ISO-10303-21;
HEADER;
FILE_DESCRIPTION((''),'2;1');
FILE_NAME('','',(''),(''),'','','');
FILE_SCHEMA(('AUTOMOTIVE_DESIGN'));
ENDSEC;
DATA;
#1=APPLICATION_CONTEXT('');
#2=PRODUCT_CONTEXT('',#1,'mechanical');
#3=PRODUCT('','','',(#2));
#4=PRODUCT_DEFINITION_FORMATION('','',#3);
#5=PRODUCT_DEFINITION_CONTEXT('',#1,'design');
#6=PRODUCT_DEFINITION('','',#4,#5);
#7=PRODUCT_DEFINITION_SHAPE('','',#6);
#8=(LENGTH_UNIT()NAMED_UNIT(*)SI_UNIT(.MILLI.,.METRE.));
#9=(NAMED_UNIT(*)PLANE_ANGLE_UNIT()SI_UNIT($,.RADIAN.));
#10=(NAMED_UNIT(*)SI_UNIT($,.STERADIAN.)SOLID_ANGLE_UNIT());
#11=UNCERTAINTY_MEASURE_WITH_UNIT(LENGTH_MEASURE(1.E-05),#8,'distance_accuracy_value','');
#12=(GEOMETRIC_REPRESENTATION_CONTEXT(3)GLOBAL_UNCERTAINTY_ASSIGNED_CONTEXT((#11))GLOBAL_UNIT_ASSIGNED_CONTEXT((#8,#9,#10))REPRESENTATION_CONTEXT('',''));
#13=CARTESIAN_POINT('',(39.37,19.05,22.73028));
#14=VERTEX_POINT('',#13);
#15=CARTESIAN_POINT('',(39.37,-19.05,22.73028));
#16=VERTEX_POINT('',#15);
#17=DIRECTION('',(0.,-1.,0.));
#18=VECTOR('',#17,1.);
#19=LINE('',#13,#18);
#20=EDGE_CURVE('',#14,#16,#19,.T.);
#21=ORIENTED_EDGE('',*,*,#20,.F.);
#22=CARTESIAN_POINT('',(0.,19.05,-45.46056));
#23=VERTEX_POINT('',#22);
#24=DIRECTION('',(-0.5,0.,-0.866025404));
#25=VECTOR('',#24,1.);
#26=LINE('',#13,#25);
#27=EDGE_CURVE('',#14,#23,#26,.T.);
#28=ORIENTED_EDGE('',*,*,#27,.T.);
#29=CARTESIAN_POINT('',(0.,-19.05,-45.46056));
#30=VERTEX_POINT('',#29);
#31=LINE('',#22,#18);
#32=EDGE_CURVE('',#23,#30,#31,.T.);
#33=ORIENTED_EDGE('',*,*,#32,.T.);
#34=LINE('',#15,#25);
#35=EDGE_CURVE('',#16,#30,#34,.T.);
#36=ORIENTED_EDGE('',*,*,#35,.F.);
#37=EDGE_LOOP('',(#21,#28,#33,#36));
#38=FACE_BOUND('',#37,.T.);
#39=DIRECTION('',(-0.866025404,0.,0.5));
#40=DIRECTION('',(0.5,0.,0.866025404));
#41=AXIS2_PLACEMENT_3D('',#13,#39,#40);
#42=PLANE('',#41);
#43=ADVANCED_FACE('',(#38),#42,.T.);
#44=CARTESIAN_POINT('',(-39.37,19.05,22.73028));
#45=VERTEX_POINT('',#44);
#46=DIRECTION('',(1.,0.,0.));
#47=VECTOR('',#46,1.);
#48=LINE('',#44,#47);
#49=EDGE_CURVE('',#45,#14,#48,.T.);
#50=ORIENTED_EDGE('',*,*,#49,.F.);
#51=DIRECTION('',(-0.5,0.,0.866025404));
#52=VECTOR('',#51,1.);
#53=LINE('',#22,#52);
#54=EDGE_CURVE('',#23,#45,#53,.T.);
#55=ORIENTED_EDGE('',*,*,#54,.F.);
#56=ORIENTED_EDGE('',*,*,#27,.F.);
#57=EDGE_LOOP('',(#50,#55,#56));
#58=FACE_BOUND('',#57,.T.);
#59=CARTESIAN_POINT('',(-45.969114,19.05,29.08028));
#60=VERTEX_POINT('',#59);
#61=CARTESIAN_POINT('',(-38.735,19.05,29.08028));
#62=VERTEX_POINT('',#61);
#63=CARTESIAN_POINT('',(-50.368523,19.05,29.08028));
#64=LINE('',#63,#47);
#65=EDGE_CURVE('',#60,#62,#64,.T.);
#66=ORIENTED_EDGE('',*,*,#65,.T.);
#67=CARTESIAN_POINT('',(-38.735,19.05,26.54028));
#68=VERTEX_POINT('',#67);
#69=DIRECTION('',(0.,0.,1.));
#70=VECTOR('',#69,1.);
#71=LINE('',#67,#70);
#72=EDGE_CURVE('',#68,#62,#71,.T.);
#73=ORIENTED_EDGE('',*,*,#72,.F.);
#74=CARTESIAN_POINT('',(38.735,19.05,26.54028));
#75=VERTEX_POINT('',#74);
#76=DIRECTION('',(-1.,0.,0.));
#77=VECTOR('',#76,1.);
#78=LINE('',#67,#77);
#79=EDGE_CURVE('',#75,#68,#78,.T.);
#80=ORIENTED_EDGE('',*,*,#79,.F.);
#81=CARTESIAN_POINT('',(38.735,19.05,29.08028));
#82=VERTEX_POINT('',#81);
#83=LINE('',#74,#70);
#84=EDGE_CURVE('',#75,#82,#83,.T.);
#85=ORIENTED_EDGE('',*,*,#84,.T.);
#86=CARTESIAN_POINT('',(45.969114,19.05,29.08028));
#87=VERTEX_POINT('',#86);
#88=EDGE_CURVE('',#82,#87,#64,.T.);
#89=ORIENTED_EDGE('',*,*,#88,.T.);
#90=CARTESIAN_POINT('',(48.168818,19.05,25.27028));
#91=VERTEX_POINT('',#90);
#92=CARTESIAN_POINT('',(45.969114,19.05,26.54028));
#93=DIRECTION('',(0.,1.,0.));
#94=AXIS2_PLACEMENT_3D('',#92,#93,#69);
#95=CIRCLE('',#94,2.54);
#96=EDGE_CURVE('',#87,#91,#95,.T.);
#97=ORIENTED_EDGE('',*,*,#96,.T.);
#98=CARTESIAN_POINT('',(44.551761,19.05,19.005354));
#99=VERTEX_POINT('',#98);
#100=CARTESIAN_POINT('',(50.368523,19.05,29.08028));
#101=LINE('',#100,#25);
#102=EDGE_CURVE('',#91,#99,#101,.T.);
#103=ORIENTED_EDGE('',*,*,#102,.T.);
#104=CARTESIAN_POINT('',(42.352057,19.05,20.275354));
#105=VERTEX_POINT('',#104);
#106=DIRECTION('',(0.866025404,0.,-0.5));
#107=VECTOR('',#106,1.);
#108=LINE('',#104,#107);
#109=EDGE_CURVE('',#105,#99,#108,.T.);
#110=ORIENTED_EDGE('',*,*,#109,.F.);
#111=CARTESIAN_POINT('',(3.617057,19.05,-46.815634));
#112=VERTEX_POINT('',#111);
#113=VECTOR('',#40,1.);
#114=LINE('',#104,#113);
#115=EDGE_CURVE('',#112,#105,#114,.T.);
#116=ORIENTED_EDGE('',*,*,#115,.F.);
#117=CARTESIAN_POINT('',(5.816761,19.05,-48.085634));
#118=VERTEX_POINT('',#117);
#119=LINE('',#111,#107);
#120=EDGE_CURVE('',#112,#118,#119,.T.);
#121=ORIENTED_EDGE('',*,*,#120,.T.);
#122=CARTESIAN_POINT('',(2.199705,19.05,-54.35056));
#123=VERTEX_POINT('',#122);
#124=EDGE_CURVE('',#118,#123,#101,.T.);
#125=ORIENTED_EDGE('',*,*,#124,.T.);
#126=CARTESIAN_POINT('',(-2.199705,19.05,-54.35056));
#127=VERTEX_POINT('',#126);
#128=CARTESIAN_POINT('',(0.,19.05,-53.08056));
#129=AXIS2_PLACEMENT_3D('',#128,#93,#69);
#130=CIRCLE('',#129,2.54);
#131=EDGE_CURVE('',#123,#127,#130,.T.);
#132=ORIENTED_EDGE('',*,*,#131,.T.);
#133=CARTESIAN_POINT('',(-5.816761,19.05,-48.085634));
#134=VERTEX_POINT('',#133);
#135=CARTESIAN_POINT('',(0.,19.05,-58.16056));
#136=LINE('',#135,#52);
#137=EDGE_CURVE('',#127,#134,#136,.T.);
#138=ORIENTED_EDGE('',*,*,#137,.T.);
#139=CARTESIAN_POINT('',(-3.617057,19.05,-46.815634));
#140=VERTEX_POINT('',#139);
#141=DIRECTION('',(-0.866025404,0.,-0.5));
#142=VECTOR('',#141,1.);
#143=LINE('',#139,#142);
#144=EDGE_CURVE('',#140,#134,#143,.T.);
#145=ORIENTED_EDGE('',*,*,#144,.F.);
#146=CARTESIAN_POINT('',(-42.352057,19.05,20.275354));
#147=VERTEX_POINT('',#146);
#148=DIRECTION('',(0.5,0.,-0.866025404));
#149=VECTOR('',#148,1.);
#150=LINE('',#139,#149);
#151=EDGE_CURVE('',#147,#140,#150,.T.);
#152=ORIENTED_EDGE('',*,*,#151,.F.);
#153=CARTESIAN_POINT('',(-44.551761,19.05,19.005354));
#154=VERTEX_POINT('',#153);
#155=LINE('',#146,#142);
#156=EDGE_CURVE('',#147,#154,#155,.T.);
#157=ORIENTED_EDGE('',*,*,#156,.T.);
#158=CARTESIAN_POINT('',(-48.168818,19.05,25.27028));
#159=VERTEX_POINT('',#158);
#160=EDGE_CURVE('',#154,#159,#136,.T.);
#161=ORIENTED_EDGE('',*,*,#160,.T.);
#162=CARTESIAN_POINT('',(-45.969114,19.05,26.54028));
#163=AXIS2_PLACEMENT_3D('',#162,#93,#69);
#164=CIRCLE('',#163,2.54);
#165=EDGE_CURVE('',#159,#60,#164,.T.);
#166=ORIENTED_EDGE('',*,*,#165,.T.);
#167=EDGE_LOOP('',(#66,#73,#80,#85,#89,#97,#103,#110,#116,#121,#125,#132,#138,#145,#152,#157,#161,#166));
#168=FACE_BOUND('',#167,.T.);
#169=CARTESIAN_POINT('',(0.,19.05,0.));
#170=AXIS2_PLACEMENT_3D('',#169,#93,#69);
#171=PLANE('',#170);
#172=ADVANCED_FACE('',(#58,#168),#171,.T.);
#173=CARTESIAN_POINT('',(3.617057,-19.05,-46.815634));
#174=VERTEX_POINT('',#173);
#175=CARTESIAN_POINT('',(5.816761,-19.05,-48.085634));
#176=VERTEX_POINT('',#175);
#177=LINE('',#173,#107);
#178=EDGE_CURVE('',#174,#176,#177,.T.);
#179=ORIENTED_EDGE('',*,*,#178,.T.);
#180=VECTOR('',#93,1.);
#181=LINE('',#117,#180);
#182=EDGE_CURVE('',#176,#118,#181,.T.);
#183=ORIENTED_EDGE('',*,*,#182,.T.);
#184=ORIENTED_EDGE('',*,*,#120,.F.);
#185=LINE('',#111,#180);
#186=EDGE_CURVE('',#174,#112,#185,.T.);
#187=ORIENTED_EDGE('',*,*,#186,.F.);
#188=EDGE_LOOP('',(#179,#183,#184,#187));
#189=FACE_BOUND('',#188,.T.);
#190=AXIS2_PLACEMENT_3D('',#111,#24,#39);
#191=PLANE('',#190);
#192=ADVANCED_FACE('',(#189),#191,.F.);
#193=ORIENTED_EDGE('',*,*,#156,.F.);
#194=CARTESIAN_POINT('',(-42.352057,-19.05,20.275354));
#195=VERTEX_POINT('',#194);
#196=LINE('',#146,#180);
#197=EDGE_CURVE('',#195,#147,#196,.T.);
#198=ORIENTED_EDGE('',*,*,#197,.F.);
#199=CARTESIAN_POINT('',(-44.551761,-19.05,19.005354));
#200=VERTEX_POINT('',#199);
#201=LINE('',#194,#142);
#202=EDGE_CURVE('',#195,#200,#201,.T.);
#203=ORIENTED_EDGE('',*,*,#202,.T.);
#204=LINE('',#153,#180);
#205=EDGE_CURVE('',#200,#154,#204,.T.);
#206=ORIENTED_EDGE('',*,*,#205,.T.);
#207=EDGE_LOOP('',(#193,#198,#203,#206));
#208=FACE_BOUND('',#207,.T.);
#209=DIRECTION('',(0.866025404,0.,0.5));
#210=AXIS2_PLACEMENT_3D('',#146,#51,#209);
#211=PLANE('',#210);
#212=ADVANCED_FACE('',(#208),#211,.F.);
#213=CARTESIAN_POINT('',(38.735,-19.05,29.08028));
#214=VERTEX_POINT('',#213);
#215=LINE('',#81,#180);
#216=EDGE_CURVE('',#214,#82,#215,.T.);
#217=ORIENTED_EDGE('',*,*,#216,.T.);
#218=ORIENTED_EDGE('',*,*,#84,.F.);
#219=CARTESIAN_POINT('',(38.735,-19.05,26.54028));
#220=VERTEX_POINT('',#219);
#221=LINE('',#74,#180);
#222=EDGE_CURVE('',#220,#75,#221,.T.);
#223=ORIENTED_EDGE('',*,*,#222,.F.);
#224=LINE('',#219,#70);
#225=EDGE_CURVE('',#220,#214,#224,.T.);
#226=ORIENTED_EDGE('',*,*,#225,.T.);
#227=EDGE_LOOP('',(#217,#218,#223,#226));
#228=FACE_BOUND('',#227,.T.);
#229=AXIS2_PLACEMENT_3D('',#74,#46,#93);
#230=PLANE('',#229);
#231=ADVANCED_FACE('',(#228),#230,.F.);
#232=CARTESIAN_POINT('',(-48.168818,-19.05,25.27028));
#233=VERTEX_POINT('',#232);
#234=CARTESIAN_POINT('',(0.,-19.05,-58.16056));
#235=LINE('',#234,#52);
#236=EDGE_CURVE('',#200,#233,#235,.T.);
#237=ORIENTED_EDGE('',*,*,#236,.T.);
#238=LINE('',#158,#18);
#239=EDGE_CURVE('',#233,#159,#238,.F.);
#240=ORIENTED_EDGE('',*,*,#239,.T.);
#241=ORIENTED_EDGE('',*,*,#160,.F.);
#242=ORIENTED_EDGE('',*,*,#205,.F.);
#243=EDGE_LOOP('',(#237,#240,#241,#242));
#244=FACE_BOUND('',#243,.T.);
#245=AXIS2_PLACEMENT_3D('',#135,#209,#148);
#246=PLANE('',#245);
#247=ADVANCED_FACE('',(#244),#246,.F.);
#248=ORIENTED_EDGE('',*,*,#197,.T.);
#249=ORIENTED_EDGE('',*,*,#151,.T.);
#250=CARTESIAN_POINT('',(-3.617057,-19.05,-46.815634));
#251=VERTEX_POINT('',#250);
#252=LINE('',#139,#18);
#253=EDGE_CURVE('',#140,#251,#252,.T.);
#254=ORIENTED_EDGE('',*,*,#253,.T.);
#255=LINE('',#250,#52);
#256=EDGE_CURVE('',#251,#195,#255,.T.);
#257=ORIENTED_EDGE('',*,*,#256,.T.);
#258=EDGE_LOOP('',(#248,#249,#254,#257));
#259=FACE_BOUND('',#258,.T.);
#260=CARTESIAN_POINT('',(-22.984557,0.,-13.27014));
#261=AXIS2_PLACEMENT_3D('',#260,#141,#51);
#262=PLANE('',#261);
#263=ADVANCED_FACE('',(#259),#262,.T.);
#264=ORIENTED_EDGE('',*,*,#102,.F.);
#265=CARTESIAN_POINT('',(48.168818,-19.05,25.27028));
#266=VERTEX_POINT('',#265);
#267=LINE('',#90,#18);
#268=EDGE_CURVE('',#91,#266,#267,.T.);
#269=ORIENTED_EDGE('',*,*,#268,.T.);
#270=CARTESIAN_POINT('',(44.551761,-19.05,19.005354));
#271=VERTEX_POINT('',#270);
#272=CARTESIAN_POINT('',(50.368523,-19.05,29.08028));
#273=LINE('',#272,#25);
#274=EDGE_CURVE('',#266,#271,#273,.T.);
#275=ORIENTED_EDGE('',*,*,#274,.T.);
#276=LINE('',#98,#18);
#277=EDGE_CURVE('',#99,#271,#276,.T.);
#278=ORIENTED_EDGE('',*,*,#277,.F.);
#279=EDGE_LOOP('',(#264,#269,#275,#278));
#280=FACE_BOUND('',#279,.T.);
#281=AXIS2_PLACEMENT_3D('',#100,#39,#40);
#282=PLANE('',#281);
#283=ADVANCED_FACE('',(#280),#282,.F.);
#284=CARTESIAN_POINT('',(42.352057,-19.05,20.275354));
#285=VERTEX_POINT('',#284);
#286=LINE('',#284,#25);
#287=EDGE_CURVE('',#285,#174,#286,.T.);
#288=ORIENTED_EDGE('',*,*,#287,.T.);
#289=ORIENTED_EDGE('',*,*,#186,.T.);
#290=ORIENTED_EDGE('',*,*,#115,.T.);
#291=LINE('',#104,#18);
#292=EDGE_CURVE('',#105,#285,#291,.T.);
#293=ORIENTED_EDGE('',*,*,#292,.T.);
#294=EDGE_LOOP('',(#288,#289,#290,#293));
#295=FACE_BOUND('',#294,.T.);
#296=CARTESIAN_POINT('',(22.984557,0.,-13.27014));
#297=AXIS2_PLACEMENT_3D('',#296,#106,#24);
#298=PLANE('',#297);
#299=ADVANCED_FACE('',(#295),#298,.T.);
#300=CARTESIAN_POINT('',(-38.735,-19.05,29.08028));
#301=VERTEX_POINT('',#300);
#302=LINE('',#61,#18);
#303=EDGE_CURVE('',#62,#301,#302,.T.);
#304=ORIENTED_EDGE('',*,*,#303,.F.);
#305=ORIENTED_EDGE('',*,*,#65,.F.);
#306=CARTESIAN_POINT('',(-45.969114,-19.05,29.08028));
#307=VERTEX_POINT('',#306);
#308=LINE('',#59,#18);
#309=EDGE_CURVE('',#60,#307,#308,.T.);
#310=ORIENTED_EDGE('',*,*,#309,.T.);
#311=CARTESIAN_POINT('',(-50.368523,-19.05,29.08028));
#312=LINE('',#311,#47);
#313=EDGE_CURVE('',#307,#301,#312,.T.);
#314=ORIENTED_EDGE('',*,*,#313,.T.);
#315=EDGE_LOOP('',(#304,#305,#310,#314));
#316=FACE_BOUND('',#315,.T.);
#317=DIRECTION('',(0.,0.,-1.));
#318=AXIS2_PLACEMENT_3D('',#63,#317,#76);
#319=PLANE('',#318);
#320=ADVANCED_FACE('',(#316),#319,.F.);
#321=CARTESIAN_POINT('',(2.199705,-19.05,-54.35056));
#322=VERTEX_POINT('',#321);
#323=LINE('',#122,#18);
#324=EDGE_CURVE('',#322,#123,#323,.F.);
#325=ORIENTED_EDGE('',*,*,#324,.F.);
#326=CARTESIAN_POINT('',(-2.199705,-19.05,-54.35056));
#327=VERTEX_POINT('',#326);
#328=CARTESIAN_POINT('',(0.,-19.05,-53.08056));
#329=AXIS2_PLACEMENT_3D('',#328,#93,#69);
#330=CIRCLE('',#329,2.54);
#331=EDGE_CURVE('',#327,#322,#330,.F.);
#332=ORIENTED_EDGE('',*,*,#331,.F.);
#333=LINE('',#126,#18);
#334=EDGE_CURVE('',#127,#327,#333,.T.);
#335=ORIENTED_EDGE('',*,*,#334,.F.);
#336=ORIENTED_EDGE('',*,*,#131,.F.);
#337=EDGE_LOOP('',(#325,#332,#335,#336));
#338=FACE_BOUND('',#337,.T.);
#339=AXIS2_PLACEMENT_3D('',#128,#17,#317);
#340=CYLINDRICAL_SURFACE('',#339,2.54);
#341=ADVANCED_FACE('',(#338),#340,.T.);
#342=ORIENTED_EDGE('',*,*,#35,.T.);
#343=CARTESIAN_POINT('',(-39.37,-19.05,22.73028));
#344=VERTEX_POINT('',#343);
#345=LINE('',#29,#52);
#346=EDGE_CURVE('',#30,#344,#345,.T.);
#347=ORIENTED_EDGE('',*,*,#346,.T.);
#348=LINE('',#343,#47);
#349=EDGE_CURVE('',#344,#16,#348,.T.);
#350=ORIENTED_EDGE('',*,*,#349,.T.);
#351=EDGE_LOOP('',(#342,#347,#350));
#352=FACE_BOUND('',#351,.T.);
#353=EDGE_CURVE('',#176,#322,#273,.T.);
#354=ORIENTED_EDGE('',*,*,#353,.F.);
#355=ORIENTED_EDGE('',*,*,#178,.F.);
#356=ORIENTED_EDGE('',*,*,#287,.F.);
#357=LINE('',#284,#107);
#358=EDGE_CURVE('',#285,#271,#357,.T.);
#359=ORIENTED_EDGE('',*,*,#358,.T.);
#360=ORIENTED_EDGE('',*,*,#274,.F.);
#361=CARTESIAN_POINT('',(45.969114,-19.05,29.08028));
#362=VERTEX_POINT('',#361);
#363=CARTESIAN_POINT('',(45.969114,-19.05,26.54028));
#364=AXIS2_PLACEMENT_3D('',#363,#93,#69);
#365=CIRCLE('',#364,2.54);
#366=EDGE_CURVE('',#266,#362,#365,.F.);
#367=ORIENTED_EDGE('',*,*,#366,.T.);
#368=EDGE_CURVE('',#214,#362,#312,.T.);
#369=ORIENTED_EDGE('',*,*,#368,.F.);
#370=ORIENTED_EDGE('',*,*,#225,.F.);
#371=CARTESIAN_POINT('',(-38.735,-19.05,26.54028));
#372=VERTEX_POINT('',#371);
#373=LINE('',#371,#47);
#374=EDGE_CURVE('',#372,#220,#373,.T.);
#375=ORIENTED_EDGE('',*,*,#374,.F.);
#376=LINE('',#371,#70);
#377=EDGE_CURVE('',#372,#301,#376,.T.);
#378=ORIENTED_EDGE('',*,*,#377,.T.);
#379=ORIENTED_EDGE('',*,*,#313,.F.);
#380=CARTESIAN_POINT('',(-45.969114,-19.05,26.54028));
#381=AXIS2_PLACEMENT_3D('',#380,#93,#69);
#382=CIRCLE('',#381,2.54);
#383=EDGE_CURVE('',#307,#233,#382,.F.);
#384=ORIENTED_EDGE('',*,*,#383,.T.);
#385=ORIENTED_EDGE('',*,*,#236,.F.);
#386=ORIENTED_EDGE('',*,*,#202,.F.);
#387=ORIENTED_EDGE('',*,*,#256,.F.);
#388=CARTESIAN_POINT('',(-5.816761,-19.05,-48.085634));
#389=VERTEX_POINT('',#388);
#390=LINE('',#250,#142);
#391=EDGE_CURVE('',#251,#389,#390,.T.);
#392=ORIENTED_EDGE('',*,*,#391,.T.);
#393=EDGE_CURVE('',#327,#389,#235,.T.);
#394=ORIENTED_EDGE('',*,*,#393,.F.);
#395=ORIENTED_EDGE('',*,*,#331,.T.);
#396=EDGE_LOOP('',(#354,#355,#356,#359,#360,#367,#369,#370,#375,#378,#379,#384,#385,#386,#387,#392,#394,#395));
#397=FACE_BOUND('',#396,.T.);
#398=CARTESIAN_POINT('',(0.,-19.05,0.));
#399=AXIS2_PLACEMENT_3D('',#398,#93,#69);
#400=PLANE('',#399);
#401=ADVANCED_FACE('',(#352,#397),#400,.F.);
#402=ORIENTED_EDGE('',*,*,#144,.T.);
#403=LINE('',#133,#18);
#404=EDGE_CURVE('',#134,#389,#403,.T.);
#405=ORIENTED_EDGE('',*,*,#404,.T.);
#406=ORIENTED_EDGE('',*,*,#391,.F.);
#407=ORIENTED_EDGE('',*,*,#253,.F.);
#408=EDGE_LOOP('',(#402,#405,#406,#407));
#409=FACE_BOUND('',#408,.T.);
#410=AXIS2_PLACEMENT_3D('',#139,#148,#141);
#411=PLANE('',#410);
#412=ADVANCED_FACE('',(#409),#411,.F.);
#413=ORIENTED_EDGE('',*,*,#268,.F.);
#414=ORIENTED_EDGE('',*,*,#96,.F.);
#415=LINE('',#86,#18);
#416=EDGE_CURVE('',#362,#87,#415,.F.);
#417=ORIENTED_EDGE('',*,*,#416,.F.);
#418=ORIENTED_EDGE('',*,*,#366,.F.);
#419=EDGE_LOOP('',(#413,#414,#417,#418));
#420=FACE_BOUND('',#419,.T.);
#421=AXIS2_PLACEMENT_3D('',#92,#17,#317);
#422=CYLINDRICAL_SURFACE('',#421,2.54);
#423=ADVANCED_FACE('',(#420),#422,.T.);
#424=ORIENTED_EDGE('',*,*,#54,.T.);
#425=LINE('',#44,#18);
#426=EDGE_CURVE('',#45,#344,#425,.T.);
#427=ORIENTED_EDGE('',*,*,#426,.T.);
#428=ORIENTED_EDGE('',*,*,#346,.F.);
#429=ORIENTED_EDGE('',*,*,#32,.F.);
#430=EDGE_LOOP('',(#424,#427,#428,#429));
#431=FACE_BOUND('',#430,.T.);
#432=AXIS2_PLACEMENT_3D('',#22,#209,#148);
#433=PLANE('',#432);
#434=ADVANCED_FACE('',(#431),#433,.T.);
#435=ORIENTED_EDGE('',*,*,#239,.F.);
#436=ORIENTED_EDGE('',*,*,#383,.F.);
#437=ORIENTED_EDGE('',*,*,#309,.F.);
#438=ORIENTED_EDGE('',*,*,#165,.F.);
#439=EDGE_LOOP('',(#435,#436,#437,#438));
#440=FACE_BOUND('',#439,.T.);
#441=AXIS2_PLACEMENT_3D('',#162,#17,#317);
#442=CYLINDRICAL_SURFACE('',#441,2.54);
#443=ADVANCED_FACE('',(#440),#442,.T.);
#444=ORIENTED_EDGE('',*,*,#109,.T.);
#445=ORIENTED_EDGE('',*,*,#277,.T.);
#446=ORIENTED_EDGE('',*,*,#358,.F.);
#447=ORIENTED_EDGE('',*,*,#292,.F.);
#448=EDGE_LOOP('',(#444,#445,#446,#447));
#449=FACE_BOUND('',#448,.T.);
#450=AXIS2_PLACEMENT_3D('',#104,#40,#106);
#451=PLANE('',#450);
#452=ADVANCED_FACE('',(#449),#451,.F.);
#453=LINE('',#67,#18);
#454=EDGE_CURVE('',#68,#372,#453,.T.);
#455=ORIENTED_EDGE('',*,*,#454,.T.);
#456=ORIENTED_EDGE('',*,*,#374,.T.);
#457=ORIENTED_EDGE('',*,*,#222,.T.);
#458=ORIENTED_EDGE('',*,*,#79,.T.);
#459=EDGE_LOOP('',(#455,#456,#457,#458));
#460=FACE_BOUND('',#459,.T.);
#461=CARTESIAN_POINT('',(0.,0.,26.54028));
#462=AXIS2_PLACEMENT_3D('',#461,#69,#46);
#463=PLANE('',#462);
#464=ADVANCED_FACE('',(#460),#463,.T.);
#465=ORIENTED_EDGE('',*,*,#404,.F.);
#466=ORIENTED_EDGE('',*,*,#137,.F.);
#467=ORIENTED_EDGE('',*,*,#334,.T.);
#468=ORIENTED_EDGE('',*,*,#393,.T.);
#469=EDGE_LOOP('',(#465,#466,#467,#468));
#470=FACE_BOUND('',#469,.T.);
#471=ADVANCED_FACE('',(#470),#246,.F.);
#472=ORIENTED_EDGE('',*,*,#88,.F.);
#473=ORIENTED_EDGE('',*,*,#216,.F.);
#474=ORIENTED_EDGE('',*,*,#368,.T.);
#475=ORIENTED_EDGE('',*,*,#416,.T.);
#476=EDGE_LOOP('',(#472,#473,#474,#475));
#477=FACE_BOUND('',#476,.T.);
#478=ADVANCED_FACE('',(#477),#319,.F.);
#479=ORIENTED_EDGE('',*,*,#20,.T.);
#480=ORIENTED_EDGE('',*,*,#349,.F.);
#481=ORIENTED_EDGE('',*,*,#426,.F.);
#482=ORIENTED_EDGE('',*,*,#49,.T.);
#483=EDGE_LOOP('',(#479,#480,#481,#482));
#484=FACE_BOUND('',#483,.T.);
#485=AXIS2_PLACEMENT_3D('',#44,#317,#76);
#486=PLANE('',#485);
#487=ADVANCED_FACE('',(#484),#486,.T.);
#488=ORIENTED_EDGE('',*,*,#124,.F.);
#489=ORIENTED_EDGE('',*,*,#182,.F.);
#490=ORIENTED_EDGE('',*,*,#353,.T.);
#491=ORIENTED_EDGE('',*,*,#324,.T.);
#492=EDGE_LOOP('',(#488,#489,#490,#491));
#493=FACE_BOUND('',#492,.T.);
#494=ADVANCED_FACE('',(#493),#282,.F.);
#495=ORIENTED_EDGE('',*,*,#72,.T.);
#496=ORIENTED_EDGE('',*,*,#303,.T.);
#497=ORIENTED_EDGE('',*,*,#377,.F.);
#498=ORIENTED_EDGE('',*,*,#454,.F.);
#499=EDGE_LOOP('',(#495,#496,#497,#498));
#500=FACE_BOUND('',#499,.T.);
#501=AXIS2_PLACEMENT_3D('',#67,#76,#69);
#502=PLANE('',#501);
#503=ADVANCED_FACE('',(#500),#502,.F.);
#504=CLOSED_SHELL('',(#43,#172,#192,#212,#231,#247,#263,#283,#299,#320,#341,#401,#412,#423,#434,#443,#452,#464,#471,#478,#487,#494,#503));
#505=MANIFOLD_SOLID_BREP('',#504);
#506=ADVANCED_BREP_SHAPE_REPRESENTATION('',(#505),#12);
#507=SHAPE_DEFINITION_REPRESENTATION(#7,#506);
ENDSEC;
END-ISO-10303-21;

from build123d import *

# Parameters (mm, degrees)
BOSS_EXTRUDE1_DEPTH = 19.05
SKETCH3_W           = 77.47
SKETCH3_H           = 38.1
CUT_EXTRUDE1_DEPTH  = 2.54
CIRPATTERN1_COUNT   = 3
FILLET1_R           = 2.54


with BuildPart() as part:
    # Sketch1 → Boss-Extrude1 (new body, symmetric)
    with BuildSketch(Plane(origin=(0, 0, 0), x_dir=(1, 0, 0), z_dir=(0, 1, 0))):
        Polygon((0, 58.160560196), (-50.368522628, -29.080280098), (50.368522628, -29.080280098), align=None)
        Polygon((-39.37, -22.730280098), (39.37, -22.730280098), (0, 45.460560196), align=None, mode=Mode.SUBTRACT)
    extrude(amount=BOSS_EXTRUDE1_DEPTH, both=True)

    # Sketch3 → Cut-Extrude1 (cut)
    with BuildSketch(Plane.XY.offset(29.080280098)):
        Rectangle(SKETCH3_W, SKETCH3_H)
    cut_extrude1 = extrude(amount=-CUT_EXTRUDE1_DEPTH, mode=Mode.SUBTRACT)

    # CirPattern1: Cut-Extrude1 ×3 about axis
    cirpattern1_axis = Axis((0, 0, 0), (0, 1, 0))
    for i in range(1, CIRPATTERN1_COUNT):
        add(cut_extrude1.rotate(cirpattern1_axis, i * 360 / CIRPATTERN1_COUNT), mode=Mode.SUBTRACT)

    # Fillet1
    fillet1_edges = [part.edges().sort_by_distance(p)[0] for p in [
        (50.368522628, 0, 29.080280098),
        (-50.368522628, 0, 29.080280098),
        (0, 0, -58.160560196),
    ]]
    fillet(fillet1_edges, radius=FILLET1_R)


solid = part.part
